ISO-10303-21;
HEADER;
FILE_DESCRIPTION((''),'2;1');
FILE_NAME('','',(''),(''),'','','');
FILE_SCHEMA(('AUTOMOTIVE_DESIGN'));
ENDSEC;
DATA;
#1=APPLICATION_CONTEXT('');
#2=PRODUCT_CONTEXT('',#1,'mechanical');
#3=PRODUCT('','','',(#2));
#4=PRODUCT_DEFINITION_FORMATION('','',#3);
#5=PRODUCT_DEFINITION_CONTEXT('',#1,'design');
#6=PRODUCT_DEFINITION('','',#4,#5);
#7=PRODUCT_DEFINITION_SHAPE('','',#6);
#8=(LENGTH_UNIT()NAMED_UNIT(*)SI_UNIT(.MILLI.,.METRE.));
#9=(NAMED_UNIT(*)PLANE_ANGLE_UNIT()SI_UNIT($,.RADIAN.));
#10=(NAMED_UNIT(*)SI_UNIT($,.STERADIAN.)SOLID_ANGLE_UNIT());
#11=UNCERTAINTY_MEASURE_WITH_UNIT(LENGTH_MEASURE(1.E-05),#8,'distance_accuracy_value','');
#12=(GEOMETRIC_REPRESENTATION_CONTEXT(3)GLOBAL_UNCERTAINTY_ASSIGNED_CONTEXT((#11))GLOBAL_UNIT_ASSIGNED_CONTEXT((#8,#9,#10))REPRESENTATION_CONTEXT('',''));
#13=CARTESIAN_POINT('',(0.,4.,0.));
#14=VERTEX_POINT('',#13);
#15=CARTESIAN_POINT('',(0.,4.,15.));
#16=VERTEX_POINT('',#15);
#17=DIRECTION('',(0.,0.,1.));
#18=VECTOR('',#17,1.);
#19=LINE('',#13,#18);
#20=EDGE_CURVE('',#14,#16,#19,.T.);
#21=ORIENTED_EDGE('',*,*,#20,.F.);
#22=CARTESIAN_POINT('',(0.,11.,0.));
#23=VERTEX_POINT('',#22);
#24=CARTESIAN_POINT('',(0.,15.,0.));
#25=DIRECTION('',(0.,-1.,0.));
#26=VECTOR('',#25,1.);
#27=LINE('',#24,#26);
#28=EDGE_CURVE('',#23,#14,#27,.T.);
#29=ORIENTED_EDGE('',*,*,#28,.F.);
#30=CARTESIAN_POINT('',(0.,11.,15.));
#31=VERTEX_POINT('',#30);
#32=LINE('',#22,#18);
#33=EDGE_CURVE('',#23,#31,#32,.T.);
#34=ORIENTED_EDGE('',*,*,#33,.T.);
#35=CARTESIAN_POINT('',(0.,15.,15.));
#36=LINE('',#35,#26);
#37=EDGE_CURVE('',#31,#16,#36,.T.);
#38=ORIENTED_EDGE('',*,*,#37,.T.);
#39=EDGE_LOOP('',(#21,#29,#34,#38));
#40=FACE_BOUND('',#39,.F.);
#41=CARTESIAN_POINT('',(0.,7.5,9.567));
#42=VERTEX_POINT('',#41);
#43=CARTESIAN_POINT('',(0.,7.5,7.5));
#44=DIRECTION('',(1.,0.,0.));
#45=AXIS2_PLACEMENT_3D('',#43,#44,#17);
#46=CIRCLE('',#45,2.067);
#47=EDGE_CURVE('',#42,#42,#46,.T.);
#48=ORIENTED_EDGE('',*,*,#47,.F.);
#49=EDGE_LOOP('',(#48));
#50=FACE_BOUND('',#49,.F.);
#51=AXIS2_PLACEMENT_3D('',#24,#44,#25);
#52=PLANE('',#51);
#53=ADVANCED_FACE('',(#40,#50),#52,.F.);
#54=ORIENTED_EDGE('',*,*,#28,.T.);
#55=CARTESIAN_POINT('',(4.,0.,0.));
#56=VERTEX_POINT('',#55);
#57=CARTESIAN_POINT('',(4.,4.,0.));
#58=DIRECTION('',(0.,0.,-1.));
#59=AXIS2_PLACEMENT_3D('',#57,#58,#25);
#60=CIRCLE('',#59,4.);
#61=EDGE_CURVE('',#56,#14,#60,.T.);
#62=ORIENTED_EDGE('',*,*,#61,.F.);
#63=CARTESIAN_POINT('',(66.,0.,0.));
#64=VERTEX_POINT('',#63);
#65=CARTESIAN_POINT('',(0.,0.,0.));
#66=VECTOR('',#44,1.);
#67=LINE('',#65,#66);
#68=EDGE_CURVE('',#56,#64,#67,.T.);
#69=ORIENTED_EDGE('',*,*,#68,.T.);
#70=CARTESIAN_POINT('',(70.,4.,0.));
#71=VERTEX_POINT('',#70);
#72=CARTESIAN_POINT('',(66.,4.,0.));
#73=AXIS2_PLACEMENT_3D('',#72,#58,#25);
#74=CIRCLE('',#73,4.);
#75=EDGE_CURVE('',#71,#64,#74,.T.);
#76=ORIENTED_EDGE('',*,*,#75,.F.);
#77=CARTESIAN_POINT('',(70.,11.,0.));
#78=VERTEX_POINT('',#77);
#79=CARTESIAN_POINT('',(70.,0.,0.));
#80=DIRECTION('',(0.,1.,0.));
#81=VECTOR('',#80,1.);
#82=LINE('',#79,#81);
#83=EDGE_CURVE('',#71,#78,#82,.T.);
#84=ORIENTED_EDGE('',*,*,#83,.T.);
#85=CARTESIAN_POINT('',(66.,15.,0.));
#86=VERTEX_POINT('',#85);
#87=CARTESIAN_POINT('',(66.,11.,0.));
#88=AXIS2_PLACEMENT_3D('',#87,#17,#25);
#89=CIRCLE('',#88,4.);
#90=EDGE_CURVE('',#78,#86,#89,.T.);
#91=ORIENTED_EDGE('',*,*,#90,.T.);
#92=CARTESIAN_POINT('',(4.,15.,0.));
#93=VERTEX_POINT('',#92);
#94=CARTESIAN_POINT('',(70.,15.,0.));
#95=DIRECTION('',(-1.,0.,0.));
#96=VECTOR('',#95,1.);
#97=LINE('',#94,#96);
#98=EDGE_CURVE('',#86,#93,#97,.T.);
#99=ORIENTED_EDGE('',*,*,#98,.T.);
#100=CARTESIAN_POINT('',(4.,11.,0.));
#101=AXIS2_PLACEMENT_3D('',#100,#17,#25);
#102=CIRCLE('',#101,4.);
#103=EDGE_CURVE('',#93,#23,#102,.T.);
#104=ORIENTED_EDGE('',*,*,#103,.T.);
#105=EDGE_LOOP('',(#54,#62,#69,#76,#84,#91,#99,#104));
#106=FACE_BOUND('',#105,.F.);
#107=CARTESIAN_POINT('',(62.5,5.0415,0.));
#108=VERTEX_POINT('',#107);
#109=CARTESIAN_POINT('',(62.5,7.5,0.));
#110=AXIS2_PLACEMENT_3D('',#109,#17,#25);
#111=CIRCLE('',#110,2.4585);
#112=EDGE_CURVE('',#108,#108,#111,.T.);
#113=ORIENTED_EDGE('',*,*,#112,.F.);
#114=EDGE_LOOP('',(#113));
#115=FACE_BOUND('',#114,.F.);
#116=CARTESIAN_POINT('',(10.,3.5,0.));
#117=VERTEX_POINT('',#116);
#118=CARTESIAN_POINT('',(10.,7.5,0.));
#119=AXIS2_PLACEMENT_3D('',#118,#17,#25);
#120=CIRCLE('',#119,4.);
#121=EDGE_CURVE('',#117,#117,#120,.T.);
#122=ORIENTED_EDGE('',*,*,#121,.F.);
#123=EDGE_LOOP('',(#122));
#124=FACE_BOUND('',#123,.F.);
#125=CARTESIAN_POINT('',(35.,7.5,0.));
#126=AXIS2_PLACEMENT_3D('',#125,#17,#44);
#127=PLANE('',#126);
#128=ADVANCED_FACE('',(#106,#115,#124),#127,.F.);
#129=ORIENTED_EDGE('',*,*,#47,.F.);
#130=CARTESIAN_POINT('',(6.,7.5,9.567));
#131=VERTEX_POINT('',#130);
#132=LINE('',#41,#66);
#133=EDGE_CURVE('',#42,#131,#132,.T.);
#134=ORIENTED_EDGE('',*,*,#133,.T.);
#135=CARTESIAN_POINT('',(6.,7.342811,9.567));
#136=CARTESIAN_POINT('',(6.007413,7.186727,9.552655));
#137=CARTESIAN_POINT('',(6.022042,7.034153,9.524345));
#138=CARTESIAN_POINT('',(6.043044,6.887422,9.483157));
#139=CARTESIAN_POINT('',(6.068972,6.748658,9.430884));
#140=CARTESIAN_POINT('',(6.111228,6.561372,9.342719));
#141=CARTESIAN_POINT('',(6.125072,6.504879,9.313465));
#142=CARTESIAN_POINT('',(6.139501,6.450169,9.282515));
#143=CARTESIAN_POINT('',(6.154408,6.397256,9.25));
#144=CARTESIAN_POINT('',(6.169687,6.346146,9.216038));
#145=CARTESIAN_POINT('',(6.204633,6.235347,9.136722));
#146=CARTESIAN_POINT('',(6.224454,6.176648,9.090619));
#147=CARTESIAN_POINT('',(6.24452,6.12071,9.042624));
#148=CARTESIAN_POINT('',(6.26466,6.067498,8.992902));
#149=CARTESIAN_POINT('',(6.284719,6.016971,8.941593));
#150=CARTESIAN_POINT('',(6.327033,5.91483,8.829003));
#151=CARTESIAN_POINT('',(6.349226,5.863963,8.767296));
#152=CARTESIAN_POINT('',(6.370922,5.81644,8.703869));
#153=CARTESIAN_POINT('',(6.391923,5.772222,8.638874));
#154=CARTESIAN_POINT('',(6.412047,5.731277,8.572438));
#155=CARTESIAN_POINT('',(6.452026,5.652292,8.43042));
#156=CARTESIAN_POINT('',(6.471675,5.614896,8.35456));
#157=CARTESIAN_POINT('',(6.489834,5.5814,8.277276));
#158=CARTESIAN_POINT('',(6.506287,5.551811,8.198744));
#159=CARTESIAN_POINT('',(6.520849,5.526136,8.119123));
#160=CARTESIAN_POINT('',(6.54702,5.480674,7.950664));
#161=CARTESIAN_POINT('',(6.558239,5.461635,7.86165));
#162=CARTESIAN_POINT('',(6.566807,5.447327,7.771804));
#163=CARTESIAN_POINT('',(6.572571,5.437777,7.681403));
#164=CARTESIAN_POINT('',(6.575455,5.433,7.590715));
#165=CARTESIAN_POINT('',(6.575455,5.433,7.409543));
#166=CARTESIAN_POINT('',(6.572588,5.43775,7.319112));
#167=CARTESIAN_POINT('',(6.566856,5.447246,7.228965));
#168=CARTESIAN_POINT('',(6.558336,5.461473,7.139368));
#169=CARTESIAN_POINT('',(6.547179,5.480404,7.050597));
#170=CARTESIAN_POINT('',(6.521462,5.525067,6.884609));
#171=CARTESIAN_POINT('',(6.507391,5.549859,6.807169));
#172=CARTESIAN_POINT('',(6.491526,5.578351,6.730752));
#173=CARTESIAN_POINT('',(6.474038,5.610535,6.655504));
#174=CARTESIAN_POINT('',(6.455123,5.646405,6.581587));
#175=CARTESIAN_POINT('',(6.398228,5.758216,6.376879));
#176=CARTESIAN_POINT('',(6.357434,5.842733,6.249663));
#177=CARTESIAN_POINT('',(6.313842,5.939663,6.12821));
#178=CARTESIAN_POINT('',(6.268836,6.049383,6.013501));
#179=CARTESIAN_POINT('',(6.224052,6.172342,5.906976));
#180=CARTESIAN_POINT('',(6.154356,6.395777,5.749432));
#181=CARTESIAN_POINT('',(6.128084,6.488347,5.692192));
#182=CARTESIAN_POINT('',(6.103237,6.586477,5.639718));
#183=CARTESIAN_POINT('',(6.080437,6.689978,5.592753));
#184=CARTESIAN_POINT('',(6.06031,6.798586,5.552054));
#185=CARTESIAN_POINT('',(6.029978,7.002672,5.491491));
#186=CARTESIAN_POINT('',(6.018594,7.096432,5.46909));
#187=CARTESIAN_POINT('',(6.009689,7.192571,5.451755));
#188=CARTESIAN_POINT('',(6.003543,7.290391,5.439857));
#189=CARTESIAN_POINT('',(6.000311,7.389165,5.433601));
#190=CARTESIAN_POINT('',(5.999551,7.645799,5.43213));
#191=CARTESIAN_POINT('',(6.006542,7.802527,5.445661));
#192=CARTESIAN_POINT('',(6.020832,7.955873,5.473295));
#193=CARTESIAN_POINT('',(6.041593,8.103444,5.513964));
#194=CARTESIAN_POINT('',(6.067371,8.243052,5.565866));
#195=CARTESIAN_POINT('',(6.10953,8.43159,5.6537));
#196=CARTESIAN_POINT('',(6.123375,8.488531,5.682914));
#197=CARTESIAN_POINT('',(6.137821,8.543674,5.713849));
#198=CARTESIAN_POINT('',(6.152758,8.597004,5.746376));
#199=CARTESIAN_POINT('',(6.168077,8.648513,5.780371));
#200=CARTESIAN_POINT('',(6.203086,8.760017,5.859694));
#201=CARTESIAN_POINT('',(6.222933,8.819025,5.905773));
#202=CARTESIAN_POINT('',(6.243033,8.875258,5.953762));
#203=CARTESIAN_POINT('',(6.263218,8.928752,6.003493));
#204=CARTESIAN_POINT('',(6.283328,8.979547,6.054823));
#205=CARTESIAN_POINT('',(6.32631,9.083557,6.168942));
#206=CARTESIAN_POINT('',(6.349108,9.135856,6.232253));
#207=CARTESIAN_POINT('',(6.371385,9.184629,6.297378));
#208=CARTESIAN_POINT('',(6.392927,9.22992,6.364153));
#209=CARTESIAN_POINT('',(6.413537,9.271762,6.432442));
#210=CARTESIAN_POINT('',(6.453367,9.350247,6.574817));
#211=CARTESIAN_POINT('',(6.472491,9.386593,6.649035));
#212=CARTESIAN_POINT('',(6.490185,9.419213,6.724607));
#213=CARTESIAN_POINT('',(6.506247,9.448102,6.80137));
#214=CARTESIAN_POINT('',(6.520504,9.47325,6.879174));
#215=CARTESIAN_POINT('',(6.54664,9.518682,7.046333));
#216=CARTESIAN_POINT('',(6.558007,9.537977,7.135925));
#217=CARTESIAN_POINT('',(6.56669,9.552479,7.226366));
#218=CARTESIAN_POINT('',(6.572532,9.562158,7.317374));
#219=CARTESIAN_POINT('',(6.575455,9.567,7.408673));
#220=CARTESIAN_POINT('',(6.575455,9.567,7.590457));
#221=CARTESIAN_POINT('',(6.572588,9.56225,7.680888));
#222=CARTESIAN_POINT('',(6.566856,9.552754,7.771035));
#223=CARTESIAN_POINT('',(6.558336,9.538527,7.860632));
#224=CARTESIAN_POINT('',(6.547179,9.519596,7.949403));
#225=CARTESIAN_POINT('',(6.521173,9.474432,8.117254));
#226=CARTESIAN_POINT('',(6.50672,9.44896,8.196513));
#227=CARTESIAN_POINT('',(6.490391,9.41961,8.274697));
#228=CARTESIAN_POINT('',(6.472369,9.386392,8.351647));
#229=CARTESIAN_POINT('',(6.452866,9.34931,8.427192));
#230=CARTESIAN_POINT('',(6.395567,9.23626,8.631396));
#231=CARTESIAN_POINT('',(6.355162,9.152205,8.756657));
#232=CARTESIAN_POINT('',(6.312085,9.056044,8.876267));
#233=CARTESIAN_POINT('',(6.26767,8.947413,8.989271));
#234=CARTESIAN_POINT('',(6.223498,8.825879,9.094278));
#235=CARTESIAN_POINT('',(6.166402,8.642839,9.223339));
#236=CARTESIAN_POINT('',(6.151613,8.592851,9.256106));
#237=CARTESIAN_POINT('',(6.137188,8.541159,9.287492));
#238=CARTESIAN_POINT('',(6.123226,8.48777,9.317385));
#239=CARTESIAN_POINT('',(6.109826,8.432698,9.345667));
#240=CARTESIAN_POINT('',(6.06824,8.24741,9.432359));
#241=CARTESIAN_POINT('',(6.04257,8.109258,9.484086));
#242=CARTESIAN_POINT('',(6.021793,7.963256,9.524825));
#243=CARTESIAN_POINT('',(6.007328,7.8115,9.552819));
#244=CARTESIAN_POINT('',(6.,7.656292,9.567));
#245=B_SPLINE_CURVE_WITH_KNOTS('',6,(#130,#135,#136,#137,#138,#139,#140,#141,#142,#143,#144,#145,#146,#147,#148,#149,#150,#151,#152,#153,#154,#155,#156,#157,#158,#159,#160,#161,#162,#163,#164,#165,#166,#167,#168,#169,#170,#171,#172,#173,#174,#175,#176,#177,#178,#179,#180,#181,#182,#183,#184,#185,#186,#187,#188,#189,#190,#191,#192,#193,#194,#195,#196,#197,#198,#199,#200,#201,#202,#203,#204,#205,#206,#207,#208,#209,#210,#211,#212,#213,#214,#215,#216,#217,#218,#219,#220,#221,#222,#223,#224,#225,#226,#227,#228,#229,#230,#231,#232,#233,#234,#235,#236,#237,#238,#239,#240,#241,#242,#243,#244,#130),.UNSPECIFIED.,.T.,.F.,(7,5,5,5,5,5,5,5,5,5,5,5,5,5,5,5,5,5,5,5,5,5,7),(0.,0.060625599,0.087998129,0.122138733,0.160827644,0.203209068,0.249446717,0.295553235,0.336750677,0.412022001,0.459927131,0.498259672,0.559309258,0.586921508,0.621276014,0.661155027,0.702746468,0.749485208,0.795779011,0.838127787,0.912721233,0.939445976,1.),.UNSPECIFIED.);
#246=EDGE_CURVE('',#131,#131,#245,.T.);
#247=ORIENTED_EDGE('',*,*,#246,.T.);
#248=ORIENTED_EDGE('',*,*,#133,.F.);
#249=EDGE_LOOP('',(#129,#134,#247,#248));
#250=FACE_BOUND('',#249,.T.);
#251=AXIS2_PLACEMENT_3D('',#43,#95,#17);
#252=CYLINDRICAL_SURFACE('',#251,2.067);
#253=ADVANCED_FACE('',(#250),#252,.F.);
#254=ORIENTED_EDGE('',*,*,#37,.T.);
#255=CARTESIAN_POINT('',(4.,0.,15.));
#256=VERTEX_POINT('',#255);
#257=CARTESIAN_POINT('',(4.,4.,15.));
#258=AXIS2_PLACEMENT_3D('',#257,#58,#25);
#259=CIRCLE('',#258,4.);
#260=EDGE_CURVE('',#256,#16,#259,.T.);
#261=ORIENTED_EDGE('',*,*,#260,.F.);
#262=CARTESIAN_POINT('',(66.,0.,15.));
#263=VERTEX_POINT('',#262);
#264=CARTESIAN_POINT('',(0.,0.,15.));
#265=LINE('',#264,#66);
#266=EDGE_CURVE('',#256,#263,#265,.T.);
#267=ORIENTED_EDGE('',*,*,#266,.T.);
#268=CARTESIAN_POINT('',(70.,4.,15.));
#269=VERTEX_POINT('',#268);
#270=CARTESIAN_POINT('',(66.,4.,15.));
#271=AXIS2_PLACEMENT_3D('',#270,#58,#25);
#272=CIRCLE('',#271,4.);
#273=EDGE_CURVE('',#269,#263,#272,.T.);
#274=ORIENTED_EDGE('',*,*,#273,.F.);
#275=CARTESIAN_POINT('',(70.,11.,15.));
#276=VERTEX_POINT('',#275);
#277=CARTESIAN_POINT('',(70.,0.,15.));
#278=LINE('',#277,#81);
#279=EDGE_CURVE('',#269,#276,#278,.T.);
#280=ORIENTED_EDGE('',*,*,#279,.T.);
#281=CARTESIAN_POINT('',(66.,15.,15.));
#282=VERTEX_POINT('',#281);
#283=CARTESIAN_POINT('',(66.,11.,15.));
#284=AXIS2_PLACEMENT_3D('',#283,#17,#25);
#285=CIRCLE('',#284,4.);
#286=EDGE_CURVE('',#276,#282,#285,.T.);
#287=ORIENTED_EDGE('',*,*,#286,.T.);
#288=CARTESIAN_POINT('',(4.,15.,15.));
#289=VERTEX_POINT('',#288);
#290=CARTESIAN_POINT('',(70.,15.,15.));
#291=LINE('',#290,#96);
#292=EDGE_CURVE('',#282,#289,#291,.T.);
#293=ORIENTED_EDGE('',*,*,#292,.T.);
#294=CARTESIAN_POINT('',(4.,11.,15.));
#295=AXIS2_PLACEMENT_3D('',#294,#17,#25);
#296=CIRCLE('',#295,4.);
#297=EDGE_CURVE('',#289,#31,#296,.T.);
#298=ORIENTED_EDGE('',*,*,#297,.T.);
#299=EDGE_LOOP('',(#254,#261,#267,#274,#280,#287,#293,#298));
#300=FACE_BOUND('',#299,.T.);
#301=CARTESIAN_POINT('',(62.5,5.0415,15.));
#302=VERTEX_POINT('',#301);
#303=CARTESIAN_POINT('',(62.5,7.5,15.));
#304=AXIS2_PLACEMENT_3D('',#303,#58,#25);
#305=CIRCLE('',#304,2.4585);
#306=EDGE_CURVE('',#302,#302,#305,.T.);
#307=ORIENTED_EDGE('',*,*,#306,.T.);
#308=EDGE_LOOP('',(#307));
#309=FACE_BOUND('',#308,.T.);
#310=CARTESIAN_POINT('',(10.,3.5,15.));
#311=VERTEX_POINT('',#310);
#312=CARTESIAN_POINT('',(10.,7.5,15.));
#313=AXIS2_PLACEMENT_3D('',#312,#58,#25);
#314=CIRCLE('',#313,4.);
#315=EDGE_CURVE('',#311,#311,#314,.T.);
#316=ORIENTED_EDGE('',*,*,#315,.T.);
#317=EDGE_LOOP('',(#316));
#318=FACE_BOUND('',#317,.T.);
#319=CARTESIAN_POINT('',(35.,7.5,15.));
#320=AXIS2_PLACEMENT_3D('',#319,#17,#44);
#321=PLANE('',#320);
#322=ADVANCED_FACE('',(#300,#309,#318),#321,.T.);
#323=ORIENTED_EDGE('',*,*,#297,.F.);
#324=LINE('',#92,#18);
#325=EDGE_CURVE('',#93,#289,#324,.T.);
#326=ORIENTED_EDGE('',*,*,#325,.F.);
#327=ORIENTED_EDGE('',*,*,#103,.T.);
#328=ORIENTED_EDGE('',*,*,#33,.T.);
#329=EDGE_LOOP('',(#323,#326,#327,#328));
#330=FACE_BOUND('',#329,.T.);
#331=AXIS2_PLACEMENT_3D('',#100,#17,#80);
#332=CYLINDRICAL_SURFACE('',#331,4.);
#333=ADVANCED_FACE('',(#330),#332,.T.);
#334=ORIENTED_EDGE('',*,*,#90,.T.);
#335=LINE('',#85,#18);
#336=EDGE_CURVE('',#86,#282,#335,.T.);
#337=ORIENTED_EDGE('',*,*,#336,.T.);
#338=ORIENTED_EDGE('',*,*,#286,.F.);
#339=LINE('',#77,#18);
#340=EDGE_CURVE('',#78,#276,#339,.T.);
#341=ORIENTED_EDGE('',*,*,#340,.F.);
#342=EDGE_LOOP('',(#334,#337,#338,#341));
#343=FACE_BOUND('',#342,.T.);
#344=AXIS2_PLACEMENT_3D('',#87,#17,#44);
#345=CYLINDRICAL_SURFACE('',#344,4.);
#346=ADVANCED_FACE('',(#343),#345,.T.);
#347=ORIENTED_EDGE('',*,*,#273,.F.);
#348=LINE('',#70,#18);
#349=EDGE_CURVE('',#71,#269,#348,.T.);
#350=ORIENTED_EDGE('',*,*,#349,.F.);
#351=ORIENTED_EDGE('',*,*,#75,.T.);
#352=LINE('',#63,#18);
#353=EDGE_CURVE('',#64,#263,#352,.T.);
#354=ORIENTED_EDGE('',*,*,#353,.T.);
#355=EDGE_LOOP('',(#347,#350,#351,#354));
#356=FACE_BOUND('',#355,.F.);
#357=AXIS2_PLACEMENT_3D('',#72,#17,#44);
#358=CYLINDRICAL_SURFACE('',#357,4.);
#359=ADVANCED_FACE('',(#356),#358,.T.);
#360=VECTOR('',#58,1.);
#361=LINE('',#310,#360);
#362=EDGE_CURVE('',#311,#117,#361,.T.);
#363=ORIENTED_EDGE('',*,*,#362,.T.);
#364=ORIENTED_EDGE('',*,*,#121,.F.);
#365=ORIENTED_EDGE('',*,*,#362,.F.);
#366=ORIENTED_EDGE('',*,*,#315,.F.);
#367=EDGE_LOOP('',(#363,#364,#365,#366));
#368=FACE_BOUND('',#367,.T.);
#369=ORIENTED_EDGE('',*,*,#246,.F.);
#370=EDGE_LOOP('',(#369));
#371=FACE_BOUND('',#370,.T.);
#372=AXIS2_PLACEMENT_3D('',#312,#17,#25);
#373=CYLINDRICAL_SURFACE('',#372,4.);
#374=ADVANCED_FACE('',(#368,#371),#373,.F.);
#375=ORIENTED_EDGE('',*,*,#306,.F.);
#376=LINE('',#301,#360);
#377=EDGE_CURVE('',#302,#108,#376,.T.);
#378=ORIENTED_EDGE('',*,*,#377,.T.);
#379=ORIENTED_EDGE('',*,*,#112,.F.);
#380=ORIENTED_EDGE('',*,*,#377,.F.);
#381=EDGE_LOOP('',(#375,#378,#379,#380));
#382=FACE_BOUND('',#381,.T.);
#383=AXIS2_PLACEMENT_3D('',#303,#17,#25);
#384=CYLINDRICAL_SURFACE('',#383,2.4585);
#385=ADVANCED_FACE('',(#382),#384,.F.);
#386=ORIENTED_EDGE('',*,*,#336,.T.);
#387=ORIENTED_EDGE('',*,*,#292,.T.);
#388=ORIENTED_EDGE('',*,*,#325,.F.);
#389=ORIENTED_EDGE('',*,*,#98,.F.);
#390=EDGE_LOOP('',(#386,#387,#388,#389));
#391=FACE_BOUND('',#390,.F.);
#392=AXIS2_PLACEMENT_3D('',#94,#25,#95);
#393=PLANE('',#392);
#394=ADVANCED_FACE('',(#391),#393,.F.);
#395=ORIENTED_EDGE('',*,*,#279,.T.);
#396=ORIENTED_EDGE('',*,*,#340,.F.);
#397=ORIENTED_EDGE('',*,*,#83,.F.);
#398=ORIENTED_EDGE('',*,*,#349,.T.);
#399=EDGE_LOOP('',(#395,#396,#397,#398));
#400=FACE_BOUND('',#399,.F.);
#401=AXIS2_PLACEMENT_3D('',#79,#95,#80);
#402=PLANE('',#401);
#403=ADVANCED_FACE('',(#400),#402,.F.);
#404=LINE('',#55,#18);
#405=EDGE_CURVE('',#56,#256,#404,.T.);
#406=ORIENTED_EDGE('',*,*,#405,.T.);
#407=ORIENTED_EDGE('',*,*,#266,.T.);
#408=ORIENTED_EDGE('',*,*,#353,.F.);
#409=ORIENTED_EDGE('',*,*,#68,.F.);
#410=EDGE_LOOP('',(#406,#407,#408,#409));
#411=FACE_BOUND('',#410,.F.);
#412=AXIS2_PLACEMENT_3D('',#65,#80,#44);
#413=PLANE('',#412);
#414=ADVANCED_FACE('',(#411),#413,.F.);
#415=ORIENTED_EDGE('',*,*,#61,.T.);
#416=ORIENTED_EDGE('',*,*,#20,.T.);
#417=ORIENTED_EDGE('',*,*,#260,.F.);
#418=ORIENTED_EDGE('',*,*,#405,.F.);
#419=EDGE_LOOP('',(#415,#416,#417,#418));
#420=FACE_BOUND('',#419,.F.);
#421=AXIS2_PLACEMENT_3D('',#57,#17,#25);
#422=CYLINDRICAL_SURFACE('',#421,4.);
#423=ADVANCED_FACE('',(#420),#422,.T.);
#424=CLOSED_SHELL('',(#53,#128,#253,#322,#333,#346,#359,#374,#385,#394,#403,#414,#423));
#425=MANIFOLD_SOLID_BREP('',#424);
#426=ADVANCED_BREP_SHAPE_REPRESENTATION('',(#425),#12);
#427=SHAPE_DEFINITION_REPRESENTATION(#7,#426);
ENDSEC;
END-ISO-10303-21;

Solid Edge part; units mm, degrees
sketch "Sketch1" plane through (0, 0, 0) normal (0, 0, 1) x (1, 0, 0)
  line L0 (70, 0) -> (70, 15)
  line L1 (70, 15) -> (0, 15)
  line L2 (0, 15) -> (0, 0)
  line L3 (0, 0) -> (70, 0)
extrude "Protrusion1" add sketch "Sketch1" along normal blind 15
hole "Bohrung_1" at (10, 7.5, 15) direction (0, 0, -1) diameter 8 end through all
hole "Bohrung_2" at (62.5, 7.5, 15) direction (0, 0, -1) diameter 4.917 end through all
hole "Bohrung_3" at (0, 7.5, 7.5) direction (1, 0, 0) diameter 4.134 end up to next
fillet "Verrundung_1" radius 4 4 edges at (70, 15, 7.5) (70, 0, 7.5) (0, 15, 7.5) (0, 0, 7.5)
